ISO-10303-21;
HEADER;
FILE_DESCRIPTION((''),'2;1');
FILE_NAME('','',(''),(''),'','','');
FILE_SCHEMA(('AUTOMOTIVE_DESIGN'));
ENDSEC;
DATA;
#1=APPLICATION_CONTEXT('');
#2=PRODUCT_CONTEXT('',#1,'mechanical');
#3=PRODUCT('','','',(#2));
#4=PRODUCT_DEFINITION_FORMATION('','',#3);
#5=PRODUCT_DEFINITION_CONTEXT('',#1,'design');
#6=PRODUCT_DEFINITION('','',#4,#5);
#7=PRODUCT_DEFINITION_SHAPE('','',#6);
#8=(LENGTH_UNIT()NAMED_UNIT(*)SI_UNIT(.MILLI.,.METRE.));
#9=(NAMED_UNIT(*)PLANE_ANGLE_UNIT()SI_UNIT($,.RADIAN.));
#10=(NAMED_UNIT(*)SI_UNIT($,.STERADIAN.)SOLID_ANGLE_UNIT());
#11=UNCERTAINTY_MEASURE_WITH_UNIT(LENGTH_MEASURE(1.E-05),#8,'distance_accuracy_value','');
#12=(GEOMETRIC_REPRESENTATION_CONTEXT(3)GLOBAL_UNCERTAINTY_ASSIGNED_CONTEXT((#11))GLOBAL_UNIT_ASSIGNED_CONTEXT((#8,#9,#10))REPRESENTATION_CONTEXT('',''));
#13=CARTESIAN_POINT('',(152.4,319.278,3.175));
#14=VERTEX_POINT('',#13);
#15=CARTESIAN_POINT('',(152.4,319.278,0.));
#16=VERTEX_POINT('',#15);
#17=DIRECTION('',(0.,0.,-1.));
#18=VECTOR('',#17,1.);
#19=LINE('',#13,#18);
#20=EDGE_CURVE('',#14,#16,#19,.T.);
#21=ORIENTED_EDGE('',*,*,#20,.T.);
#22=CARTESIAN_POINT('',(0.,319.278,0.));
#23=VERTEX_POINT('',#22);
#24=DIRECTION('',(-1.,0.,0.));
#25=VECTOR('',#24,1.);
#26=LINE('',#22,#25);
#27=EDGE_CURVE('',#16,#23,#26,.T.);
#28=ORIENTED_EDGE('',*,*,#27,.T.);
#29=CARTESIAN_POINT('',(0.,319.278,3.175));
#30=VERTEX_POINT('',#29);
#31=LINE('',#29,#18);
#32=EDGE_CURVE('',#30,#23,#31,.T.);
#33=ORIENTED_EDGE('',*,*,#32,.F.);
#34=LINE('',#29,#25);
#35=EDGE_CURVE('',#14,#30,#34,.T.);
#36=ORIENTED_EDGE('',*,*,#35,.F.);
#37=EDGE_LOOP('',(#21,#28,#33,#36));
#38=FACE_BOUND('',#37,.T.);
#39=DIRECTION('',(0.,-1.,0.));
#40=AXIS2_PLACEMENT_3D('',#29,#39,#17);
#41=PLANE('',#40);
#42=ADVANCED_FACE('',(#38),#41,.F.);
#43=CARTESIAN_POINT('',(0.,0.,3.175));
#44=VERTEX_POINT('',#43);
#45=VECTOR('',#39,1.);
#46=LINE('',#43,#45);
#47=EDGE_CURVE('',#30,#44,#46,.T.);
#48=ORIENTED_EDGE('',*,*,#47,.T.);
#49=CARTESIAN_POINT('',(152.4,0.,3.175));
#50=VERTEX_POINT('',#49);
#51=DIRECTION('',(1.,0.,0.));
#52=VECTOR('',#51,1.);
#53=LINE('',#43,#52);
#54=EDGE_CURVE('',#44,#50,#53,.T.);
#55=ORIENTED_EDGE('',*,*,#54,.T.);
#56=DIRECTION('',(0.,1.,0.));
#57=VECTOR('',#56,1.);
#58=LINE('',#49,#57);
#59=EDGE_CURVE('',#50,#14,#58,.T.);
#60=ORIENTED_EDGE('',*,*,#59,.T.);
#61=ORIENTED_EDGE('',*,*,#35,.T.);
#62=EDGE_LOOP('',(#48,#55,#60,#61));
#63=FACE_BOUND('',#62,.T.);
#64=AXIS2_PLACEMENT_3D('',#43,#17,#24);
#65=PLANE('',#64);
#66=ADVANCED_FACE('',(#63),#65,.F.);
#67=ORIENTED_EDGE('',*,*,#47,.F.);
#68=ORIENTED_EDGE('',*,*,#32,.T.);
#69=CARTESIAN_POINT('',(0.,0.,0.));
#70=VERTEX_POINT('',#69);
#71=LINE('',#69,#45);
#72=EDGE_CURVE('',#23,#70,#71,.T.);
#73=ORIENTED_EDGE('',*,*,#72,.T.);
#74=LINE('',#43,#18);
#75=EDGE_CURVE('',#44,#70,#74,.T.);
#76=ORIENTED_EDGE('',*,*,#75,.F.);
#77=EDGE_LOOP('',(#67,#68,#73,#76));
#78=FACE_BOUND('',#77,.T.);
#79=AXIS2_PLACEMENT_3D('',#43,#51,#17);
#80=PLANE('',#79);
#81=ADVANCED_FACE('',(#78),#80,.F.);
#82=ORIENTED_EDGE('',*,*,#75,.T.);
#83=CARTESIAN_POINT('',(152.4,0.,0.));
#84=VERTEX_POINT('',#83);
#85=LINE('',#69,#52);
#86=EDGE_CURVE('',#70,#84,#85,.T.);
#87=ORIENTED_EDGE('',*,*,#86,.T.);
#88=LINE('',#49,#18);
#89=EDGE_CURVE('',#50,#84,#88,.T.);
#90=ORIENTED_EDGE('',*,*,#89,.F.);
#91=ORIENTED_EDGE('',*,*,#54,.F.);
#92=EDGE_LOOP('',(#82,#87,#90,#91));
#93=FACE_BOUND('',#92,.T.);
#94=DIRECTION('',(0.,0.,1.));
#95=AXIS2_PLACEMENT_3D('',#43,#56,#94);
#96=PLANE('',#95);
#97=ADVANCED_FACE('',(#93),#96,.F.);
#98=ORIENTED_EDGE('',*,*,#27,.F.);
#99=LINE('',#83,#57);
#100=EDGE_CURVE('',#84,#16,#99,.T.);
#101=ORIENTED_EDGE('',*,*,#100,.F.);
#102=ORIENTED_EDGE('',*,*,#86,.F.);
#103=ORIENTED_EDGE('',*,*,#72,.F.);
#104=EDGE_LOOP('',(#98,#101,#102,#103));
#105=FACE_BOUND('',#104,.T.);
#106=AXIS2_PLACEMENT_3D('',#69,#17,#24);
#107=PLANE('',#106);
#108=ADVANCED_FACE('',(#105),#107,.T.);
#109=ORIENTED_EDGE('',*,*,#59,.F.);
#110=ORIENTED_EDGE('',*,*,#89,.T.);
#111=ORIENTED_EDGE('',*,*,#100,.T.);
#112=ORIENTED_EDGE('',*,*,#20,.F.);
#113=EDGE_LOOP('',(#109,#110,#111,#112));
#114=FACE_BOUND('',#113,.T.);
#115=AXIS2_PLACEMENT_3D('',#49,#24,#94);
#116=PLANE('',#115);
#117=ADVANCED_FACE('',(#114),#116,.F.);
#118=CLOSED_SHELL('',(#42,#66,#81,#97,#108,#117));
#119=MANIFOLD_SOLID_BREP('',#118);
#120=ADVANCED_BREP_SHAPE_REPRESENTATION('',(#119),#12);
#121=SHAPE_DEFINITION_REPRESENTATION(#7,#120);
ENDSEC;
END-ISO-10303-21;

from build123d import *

# Parameters (mm, degrees)
SKETCH2_W           = 152.4
SKETCH2_H           = 319.278
BOSS_EXTRUDE1_DEPTH = 3.175


with BuildPart() as part:
    # Sketch2 → Boss-Extrude1 (new body)
    with BuildSketch(Plane.XY):
        with Locations((76.2, 159.639)):
            Rectangle(SKETCH2_W, SKETCH2_H)
    extrude(amount=BOSS_EXTRUDE1_DEPTH)


solid = part.part
